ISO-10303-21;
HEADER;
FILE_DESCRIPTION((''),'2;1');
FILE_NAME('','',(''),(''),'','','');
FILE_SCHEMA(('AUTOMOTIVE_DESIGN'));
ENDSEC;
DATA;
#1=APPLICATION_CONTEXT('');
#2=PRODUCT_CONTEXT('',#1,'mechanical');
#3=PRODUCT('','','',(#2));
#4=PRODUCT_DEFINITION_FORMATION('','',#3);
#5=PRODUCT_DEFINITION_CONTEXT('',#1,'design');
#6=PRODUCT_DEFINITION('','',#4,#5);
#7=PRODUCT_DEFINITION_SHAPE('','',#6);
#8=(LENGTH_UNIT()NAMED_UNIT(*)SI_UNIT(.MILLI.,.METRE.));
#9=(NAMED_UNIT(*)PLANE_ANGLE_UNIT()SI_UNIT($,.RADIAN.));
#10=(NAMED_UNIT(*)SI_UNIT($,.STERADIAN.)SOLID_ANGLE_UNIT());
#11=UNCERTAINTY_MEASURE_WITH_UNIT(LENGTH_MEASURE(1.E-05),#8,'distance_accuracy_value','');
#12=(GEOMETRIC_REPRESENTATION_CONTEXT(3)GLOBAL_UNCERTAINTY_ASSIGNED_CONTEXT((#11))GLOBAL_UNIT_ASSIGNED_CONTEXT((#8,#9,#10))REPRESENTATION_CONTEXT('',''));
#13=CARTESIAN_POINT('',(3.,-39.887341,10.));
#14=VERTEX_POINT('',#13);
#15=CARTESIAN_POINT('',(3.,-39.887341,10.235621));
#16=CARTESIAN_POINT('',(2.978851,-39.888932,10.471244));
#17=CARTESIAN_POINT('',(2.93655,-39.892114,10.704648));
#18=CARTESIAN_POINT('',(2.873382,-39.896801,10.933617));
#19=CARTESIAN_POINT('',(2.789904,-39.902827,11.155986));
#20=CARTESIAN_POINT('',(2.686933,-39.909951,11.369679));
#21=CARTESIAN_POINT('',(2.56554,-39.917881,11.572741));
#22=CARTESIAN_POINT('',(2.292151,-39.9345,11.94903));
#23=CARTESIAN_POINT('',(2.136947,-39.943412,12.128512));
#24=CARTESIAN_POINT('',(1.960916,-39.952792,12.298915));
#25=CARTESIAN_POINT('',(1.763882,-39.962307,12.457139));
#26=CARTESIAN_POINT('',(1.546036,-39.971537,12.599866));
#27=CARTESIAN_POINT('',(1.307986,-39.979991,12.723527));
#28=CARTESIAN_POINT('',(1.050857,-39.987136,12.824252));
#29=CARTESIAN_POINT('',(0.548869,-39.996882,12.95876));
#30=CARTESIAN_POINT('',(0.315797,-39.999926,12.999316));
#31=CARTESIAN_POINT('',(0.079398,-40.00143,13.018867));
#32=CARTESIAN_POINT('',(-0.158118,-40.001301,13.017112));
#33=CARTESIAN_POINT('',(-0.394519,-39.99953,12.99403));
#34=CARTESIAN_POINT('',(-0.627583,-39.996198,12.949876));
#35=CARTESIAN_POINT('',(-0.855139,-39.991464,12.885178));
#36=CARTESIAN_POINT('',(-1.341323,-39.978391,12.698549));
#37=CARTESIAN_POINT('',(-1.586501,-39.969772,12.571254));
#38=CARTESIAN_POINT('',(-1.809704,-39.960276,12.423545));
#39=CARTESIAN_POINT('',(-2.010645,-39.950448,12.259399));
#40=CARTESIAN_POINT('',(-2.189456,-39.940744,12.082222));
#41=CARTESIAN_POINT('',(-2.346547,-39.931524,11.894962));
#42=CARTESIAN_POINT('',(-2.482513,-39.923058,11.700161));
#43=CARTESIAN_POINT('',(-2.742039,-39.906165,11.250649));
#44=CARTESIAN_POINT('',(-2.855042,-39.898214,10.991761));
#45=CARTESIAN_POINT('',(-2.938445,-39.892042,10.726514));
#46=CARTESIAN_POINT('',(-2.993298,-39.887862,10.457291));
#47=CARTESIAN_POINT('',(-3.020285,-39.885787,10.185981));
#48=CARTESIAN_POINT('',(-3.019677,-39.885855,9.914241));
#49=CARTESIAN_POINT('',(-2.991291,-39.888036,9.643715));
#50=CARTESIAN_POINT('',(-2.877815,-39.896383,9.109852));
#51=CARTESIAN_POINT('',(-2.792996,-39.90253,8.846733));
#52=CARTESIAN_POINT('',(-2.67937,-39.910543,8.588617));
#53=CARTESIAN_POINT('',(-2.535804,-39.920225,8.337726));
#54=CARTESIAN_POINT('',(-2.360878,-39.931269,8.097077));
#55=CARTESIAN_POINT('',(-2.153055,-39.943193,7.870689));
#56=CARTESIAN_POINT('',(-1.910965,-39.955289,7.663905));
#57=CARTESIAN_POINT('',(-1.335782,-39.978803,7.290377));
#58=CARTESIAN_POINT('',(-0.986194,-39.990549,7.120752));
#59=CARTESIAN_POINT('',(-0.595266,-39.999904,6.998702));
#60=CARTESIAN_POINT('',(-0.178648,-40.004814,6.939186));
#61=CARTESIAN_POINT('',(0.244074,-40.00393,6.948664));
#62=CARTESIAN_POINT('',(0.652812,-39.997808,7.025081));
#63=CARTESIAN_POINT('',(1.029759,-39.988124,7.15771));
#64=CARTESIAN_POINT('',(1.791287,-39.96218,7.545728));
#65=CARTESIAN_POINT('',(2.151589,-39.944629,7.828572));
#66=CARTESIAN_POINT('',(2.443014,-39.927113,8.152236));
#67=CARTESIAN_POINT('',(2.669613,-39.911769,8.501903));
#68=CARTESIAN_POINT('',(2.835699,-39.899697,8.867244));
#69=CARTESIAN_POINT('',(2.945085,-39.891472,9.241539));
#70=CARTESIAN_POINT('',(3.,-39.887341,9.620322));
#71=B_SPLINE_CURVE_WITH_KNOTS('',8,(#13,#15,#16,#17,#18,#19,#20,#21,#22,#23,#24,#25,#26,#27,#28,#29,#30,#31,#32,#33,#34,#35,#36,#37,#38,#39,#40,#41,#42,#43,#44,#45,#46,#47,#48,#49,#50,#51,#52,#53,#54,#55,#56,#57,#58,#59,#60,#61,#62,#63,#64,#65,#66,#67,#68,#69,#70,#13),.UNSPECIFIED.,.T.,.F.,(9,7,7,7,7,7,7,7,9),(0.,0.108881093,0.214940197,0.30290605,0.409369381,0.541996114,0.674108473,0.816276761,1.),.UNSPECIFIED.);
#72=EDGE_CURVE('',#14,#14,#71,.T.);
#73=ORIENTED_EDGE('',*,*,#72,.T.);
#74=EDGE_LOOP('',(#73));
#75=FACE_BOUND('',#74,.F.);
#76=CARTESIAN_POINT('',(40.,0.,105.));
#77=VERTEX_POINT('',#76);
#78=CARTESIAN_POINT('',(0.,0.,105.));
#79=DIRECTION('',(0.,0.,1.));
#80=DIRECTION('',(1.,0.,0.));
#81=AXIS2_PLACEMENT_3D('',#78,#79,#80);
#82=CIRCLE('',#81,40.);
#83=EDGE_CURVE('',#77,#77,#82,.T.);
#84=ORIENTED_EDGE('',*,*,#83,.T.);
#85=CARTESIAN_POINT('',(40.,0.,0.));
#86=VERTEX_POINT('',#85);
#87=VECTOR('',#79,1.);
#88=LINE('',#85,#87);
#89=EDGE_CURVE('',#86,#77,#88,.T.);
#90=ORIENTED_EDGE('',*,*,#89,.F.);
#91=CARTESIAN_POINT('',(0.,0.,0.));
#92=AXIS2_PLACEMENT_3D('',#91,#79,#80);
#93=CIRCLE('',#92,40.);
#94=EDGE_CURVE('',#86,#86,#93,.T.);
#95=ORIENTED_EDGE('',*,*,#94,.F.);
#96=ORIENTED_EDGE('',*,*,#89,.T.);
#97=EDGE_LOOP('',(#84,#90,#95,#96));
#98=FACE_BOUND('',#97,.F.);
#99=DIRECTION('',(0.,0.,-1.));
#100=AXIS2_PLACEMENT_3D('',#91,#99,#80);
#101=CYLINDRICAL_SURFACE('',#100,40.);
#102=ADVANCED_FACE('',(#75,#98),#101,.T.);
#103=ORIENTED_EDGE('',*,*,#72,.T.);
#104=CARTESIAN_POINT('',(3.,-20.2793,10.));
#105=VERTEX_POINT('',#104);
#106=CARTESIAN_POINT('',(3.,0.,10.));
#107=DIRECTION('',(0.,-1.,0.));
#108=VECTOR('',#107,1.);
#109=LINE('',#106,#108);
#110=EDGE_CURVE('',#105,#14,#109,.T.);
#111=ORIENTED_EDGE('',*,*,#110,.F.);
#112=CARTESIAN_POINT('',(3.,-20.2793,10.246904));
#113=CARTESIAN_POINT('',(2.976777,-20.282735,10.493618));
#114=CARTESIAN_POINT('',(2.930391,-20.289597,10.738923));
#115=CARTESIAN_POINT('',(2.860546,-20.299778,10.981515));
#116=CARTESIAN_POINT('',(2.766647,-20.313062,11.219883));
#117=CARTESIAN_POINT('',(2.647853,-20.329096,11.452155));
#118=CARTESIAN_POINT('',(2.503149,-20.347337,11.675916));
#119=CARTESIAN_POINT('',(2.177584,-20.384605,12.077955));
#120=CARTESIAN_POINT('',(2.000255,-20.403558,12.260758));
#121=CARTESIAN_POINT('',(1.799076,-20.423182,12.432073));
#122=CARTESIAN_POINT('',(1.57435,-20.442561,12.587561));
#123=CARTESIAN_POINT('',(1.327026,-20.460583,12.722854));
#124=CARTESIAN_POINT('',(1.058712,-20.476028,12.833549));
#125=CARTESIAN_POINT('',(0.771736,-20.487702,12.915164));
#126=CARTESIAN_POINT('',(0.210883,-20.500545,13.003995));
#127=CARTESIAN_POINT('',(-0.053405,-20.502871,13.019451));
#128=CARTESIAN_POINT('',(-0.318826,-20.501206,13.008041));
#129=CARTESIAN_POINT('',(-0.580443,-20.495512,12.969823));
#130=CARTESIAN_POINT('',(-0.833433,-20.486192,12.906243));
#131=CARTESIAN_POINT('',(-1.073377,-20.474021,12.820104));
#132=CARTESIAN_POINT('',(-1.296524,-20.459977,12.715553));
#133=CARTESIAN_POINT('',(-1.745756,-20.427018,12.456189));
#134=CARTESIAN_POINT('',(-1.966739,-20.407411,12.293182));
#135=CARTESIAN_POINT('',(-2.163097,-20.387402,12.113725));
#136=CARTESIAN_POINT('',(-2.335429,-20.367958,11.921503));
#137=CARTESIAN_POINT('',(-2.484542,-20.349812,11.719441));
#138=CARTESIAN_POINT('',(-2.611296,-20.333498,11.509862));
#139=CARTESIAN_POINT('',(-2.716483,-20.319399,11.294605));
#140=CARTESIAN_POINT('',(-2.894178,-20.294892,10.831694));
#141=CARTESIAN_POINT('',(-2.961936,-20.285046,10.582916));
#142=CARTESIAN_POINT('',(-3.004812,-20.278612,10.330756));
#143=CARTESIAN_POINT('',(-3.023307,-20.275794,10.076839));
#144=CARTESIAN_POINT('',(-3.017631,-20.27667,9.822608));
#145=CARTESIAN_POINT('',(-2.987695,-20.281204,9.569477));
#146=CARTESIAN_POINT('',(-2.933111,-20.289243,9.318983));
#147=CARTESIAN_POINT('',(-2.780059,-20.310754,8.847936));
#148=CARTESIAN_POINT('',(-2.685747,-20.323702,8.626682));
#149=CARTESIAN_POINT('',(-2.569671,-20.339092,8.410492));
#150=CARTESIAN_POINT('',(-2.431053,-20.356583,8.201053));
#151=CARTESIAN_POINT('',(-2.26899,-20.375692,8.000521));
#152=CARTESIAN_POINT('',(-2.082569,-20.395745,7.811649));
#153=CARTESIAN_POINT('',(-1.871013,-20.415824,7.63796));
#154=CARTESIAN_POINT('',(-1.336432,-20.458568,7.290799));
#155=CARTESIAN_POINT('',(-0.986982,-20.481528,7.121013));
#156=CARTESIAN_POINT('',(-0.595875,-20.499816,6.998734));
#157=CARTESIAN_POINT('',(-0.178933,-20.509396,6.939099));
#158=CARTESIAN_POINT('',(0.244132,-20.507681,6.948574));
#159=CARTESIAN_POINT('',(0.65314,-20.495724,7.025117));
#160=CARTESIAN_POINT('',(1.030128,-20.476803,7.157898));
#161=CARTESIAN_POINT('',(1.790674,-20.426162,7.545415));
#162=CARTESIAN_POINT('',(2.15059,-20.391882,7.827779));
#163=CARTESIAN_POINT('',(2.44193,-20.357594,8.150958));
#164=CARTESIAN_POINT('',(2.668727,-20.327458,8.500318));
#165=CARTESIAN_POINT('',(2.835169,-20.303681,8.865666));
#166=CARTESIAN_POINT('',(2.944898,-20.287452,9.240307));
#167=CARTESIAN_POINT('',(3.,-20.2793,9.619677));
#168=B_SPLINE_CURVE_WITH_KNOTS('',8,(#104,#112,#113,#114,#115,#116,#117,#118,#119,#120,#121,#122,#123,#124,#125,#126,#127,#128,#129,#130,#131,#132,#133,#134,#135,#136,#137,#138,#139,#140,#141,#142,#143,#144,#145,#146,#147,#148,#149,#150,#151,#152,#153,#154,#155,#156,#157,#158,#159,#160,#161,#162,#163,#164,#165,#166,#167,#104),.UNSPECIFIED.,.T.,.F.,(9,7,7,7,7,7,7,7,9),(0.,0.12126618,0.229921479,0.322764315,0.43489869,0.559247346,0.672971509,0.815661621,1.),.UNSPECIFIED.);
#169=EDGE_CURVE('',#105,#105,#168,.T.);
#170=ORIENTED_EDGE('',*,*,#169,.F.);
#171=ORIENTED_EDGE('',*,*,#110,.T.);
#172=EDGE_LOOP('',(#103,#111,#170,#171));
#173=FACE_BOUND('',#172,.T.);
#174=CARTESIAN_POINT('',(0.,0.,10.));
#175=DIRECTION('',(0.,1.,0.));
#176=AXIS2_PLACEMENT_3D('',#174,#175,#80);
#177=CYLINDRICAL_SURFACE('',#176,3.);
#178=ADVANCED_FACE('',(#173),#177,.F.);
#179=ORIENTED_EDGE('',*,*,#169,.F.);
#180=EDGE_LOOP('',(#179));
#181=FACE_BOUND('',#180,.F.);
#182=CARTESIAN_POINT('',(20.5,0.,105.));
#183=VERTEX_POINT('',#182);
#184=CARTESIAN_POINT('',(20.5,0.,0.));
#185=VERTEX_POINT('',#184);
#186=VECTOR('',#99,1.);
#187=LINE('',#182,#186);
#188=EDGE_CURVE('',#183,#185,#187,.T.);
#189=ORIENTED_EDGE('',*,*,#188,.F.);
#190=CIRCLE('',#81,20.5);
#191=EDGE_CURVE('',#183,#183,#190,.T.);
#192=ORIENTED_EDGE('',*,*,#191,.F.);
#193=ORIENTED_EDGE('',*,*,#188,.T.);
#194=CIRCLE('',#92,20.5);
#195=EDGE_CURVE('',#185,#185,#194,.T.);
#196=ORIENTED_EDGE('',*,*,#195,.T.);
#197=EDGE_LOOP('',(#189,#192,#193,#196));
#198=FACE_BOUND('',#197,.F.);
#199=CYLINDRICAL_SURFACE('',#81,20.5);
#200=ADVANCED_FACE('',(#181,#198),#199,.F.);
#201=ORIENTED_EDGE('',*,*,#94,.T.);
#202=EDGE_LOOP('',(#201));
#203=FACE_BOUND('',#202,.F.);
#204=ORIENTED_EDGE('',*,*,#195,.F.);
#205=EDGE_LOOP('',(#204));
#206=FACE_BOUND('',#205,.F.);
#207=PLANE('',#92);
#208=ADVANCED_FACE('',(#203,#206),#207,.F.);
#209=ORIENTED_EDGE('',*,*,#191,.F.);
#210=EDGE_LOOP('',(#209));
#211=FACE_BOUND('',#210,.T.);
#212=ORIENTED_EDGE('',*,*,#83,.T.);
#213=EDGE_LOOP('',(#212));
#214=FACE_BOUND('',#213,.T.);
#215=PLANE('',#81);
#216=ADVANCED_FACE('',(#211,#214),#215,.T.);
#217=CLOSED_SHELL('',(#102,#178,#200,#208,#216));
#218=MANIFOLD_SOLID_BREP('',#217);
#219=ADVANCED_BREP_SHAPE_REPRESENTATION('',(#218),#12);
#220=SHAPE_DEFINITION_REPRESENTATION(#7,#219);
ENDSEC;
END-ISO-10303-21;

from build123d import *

# Parameters (mm, degrees)
F0_R     = 40
F1_DEPTH = 105
F2_R     = 20.5
F3_DEPTH = 105.001
F4_R     = 3
F5_DEPTH = 40.001


with BuildPart() as f1:
    # F0 (on Top) → F1 (new body)
    with BuildSketch(Plane.XY):
        Circle(F0_R)
    extrude(amount=F1_DEPTH)

    # F2 (on face) → F3 (cut, through all)
    with BuildSketch(Plane.XY.offset(105)):
        Circle(F2_R)
    extrude(amount=-F3_DEPTH, mode=Mode.SUBTRACT)

    # F4 (on Front) → F5 (cut, through all)
    with BuildSketch(Plane.XZ):
        with Locations((0, 10)):
            Circle(F4_R)
    extrude(amount=F5_DEPTH, mode=Mode.SUBTRACT)


solid = f1.part
